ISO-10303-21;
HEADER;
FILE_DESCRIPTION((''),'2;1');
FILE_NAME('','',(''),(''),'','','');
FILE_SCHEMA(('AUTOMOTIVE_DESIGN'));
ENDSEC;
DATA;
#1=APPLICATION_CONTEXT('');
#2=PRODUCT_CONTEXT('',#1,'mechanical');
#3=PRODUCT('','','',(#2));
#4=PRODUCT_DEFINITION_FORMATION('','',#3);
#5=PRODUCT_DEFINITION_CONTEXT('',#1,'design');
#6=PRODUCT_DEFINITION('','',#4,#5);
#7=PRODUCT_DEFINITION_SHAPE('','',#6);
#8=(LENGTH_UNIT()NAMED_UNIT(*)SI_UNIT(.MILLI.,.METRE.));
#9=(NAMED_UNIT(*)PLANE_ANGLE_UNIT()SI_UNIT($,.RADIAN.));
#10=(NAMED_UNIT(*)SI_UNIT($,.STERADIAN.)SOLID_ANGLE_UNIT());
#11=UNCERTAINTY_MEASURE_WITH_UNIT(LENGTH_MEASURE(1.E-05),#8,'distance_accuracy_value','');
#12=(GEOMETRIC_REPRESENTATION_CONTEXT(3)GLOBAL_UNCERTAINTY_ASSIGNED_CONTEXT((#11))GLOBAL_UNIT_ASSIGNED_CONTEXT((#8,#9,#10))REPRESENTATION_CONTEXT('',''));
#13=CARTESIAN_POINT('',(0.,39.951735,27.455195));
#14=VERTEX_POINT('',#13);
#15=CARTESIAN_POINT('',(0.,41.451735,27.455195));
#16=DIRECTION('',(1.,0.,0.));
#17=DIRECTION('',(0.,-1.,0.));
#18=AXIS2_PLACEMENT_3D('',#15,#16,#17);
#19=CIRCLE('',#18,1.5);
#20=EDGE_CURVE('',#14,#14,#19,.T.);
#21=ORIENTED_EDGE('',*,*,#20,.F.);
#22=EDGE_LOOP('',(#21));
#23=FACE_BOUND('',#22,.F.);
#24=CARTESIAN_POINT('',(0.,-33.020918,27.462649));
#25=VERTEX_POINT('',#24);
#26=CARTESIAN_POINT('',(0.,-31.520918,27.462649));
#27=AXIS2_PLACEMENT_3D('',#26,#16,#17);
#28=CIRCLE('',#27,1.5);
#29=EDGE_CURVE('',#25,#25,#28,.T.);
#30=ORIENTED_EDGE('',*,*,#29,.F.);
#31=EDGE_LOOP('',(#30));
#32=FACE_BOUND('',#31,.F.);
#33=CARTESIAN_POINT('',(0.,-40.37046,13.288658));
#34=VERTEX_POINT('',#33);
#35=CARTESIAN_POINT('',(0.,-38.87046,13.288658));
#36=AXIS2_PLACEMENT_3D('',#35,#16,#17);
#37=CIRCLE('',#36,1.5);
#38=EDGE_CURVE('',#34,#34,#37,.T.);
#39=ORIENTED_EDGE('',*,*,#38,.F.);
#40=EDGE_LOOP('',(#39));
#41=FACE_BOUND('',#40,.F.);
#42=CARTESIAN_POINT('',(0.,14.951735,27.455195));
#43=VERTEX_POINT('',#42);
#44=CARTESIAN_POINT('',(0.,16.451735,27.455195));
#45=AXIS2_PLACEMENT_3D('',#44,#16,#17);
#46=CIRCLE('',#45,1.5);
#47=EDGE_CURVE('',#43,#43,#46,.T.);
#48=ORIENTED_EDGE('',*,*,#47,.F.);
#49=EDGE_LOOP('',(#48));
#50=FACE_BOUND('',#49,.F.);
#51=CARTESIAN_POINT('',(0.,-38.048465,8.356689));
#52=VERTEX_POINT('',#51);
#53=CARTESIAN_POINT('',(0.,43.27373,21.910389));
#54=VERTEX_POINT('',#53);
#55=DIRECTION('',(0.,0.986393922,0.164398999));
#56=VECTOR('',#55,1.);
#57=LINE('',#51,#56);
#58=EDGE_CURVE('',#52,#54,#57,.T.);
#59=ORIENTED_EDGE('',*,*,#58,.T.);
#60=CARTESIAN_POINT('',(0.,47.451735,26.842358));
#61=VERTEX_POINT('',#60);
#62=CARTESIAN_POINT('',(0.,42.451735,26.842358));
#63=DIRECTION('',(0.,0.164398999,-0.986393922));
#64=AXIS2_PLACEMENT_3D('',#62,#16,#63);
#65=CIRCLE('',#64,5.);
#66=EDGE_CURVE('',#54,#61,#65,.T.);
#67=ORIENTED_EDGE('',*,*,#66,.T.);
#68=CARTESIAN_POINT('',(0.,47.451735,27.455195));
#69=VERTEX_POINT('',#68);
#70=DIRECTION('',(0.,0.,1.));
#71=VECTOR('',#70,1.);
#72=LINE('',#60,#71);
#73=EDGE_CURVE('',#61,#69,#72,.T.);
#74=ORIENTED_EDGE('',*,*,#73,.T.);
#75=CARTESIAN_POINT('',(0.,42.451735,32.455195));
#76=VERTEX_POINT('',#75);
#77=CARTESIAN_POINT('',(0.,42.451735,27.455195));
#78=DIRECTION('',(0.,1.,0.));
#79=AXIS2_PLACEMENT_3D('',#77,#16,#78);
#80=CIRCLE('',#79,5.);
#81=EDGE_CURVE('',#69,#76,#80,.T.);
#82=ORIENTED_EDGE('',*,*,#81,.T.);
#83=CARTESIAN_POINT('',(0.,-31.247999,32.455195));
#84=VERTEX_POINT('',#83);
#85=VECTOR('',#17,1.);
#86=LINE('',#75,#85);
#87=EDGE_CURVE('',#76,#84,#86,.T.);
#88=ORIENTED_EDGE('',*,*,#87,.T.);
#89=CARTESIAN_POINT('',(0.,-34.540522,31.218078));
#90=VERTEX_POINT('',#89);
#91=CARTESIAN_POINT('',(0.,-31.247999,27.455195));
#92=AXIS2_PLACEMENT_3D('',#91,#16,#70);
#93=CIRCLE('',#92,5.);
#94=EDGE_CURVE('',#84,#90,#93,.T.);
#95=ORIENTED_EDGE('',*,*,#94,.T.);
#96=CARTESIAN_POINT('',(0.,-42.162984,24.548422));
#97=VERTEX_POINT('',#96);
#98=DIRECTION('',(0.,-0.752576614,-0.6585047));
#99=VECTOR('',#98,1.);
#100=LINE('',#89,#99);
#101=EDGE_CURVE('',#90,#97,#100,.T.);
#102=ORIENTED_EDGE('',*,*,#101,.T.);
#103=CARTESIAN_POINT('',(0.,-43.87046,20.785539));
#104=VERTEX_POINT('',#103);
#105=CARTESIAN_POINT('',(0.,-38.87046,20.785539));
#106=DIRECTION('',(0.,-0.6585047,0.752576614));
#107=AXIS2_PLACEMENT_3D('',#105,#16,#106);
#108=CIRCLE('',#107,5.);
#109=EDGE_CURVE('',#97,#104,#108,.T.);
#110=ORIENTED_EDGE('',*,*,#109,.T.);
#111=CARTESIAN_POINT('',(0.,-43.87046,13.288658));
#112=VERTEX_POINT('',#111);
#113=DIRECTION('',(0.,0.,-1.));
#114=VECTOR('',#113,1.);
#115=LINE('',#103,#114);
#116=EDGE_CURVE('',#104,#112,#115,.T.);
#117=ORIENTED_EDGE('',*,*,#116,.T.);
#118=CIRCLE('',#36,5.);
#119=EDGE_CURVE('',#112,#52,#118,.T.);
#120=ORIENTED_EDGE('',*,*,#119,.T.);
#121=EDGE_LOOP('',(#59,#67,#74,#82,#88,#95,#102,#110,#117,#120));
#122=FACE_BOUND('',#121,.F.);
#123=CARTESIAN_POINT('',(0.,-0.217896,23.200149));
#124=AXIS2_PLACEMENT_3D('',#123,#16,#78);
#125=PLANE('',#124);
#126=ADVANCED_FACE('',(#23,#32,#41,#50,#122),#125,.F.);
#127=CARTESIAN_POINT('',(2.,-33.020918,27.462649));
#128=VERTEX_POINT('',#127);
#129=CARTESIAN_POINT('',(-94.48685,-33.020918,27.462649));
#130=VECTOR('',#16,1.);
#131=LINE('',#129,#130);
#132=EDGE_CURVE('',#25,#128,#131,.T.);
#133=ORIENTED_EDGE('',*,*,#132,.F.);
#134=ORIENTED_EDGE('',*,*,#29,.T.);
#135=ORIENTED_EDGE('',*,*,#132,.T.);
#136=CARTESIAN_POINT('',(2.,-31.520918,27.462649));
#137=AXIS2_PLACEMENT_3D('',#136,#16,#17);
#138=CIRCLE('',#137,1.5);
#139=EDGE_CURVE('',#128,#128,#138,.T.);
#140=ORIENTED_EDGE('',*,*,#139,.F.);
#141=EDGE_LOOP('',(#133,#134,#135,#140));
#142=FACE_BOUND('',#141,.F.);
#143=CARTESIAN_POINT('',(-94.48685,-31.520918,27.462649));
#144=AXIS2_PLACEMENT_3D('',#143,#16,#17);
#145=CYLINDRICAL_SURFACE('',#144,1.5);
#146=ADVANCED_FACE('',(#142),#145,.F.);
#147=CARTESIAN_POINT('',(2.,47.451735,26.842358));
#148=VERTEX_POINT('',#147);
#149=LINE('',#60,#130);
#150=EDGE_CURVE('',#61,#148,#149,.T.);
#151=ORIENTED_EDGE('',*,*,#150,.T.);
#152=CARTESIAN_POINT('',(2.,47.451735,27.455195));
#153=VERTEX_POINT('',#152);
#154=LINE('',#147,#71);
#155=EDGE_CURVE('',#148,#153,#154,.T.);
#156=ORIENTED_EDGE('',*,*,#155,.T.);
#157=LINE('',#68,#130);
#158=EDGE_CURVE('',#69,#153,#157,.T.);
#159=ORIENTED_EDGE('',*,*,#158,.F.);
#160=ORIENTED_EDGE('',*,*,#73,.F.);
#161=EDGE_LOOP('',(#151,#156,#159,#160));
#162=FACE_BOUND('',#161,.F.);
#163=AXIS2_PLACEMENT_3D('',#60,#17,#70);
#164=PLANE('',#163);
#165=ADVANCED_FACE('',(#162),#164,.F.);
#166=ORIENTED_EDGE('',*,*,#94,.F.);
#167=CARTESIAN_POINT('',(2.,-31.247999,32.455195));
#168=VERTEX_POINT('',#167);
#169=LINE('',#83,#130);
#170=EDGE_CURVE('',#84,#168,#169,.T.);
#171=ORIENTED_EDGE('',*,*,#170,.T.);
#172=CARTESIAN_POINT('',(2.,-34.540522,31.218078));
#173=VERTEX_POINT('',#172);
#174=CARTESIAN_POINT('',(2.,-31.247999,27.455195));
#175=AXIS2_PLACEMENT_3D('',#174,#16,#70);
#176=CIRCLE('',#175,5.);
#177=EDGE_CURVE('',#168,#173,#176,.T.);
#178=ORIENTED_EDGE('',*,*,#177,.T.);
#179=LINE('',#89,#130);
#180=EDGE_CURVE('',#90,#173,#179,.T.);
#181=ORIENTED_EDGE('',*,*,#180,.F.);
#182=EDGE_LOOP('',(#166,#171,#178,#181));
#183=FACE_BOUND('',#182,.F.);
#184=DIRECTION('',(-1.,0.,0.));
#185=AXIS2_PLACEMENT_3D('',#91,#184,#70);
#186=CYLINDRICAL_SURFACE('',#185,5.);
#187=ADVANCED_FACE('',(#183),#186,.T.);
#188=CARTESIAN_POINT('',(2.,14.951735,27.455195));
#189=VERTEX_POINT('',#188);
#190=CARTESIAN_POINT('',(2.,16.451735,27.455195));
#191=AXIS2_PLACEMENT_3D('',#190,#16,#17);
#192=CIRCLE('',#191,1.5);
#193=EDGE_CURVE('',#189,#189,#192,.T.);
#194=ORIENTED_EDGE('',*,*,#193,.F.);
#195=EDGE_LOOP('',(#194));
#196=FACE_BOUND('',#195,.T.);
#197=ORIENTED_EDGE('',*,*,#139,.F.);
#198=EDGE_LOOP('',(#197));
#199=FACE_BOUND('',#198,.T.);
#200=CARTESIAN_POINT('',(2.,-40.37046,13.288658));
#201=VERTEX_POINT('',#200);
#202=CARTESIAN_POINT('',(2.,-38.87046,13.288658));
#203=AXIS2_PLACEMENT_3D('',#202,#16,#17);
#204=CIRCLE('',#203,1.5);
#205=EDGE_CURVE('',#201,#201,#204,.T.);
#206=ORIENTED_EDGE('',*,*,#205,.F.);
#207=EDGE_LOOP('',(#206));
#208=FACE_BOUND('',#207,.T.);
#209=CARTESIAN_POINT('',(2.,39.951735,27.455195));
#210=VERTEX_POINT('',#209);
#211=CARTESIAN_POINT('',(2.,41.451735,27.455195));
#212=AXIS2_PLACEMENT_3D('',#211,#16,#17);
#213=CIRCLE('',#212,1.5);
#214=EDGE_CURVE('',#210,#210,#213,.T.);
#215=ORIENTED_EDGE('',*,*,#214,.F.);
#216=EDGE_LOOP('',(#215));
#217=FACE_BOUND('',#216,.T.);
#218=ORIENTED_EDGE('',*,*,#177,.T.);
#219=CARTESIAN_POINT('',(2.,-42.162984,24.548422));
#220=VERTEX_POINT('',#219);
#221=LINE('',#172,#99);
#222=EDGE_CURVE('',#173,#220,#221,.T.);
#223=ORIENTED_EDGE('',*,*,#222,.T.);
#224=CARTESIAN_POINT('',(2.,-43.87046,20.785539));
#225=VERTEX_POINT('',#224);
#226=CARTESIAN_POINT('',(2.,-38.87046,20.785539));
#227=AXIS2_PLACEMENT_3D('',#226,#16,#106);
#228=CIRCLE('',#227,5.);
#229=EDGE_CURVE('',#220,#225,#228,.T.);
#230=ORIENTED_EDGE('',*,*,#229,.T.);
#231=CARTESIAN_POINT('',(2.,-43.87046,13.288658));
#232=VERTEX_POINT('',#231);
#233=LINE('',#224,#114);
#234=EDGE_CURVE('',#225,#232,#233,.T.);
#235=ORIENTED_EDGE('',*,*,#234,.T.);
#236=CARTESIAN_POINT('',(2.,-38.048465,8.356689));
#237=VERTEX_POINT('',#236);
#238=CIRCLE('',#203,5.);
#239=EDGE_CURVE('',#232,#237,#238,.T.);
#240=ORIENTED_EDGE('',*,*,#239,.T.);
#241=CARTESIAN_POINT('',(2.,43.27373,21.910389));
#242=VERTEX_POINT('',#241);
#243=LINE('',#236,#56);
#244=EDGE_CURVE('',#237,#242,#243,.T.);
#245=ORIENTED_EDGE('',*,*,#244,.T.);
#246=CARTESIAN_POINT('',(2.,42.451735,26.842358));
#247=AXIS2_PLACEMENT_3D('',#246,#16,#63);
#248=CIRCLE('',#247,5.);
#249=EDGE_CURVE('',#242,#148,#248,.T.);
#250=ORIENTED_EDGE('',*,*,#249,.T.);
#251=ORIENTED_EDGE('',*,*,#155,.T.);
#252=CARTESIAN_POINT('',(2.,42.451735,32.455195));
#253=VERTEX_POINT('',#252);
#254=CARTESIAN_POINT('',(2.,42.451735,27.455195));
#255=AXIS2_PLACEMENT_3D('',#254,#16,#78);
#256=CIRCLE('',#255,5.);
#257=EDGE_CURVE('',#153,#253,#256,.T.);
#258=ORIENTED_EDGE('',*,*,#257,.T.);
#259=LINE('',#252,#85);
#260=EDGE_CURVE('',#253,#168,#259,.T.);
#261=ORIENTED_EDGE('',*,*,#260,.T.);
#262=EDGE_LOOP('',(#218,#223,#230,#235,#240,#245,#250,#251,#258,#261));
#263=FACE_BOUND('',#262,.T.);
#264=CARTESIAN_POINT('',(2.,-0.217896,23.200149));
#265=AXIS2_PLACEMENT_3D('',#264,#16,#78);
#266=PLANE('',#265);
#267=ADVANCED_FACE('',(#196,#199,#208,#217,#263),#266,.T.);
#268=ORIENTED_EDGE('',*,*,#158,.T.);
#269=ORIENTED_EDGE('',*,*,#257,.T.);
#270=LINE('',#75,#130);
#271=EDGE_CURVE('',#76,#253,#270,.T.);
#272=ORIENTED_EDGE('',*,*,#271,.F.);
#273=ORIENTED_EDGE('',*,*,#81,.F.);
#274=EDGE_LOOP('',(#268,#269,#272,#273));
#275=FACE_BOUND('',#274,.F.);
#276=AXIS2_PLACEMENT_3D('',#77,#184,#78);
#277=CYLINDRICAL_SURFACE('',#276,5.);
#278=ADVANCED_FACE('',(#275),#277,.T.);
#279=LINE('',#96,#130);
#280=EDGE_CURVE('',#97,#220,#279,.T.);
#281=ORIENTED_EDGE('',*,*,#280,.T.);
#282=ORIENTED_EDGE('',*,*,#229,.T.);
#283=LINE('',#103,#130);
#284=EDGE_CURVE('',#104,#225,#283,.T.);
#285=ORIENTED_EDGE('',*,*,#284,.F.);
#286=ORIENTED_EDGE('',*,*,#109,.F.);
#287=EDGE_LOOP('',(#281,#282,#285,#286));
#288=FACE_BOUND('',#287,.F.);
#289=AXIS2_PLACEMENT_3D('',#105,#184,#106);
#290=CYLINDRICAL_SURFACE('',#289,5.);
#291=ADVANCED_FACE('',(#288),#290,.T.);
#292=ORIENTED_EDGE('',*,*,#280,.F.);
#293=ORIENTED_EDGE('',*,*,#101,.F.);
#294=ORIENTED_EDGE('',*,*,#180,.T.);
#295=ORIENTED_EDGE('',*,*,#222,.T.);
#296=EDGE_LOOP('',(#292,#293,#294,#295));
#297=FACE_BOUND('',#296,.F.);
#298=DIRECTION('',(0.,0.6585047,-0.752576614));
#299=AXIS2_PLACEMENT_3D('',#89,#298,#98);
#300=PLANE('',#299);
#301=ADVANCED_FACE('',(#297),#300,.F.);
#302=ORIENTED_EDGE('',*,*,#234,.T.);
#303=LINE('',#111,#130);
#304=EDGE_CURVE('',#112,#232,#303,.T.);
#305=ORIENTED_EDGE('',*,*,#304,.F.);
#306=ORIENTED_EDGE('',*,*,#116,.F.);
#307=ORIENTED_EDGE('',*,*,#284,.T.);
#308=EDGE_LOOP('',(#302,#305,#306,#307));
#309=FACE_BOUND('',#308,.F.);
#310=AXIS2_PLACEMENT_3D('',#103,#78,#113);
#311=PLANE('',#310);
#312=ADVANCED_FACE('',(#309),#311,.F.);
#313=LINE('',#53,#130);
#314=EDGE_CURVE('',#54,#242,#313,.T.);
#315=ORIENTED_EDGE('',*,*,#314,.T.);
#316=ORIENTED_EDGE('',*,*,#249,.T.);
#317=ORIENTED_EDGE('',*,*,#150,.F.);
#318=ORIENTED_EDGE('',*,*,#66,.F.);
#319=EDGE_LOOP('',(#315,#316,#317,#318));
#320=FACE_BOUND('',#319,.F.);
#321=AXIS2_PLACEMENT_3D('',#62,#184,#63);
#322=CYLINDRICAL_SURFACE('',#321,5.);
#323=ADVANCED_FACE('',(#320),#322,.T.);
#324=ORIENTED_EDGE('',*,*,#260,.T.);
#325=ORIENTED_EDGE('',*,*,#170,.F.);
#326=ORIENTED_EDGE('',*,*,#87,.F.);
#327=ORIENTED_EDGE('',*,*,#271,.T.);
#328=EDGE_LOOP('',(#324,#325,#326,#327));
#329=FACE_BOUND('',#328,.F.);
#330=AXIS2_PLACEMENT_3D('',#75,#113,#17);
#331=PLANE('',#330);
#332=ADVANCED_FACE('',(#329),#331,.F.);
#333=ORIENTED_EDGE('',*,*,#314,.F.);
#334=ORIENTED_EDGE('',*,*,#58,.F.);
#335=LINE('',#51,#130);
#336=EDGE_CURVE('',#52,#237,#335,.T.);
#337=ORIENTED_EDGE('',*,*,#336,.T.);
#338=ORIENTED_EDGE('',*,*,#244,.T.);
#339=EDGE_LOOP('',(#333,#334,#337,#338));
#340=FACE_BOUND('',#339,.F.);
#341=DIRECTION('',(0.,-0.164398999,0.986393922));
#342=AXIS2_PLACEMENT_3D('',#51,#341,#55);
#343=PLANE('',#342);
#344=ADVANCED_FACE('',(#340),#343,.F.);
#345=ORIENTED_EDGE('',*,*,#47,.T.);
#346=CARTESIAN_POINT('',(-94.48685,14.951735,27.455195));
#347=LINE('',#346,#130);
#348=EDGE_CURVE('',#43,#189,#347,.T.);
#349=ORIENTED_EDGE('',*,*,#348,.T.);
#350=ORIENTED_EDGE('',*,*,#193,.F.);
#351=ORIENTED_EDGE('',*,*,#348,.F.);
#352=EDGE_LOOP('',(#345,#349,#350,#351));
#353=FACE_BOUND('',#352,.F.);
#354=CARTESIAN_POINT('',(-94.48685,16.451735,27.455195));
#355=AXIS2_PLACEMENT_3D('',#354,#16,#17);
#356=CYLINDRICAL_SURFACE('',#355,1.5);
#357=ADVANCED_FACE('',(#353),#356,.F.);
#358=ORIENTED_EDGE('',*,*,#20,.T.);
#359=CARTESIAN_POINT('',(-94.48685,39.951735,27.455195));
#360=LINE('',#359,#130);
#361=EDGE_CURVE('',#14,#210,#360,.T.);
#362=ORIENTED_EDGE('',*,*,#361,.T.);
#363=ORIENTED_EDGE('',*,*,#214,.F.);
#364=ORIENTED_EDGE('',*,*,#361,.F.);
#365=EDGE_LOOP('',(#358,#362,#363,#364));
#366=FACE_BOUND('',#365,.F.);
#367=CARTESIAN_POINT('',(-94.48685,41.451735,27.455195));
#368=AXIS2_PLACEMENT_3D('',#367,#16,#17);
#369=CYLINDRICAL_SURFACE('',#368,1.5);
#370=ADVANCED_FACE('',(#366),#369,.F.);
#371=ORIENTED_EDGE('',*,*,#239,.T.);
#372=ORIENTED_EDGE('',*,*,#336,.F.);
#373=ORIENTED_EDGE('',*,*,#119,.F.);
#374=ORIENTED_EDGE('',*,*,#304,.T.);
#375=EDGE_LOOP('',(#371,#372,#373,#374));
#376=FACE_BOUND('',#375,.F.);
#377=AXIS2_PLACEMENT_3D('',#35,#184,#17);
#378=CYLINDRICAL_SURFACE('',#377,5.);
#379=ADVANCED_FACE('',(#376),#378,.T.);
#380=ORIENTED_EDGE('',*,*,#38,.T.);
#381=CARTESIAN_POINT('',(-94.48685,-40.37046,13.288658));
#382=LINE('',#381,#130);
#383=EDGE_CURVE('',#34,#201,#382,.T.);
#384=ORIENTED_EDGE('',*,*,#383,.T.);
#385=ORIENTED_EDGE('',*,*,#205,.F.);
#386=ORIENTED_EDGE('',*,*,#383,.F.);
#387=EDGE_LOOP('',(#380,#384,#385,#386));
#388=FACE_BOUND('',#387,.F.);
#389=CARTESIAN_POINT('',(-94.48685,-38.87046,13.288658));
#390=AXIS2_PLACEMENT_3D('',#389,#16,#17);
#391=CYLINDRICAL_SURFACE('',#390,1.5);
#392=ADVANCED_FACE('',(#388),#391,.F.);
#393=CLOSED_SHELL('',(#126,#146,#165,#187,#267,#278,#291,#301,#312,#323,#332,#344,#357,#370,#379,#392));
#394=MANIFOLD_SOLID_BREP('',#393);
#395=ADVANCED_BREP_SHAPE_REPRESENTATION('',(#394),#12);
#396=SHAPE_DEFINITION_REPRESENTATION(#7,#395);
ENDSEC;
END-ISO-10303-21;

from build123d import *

# Parameters (mm, degrees)
F1_DEPTH = 2
F3_D     = 3
F5_D     = 3


with BuildPart() as f1:
    # F0 (on Right) → F1 (new body)
    with BuildSketch(Plane.YZ):
        with BuildLine():
            Line((42.4517345428, 32.4551947415), (-31.2479986618, 32.4551947415))
            ThreePointArc((-31.2479986618, 32.4551947415), (-33.0066323151, 32.1357083536), (-34.540522163, 31.2180778109))
            Line((-34.540522163, 31.2180778109), (-42.1629837432, 24.5484222763))
            ThreePointArc((-42.1629837432, 24.5484222763), (-43.4236249385, 22.8516203396), (-43.870460242, 20.7855392069))
            Line((-43.870460242, 20.7855392069), (-43.870460242, 13.2886583044))
            ThreePointArc((-43.870460242, 13.2886583044), (-42.1023347006, 9.4735583733), (-38.0484652484, 8.3566886947))
            Line((-38.0484652484, 8.3566886947), (43.2737295365, 21.9103887931))
            ThreePointArc((43.2737295365, 21.9103887931), (46.2668344739, 23.6104839442), (47.4517345428, 26.8423584027))
            Line((47.4517345428, 26.8423584027), (47.4517345428, 27.4551947415))
            ThreePointArc((47.4517345428, 27.4551947415), (45.9872684488, 30.9907286474), (42.4517345428, 32.4551947415))
        make_face()
    extrude(amount=F1_DEPTH)

    # F3 (through all)
    with Locations(Plane(origin=(0, 0, 0), x_dir=(0, 1, 0), z_dir=(-1, 0, 0))):
        with Locations((41.4517345428, -27.4551947415), (16.4517345428, -27.4551947415)):
            Hole(F3_D / 2)

    # F5 (through all)
    with Locations(Plane(origin=(0, 0, 0), x_dir=(0, 1, 0), z_dir=(-1, 0, 0))):
        with Locations((-31.5209182738, -27.4626488093), (-38.870460242, -13.2886583044)):
            Hole(F5_D / 2)


solid = f1.part
